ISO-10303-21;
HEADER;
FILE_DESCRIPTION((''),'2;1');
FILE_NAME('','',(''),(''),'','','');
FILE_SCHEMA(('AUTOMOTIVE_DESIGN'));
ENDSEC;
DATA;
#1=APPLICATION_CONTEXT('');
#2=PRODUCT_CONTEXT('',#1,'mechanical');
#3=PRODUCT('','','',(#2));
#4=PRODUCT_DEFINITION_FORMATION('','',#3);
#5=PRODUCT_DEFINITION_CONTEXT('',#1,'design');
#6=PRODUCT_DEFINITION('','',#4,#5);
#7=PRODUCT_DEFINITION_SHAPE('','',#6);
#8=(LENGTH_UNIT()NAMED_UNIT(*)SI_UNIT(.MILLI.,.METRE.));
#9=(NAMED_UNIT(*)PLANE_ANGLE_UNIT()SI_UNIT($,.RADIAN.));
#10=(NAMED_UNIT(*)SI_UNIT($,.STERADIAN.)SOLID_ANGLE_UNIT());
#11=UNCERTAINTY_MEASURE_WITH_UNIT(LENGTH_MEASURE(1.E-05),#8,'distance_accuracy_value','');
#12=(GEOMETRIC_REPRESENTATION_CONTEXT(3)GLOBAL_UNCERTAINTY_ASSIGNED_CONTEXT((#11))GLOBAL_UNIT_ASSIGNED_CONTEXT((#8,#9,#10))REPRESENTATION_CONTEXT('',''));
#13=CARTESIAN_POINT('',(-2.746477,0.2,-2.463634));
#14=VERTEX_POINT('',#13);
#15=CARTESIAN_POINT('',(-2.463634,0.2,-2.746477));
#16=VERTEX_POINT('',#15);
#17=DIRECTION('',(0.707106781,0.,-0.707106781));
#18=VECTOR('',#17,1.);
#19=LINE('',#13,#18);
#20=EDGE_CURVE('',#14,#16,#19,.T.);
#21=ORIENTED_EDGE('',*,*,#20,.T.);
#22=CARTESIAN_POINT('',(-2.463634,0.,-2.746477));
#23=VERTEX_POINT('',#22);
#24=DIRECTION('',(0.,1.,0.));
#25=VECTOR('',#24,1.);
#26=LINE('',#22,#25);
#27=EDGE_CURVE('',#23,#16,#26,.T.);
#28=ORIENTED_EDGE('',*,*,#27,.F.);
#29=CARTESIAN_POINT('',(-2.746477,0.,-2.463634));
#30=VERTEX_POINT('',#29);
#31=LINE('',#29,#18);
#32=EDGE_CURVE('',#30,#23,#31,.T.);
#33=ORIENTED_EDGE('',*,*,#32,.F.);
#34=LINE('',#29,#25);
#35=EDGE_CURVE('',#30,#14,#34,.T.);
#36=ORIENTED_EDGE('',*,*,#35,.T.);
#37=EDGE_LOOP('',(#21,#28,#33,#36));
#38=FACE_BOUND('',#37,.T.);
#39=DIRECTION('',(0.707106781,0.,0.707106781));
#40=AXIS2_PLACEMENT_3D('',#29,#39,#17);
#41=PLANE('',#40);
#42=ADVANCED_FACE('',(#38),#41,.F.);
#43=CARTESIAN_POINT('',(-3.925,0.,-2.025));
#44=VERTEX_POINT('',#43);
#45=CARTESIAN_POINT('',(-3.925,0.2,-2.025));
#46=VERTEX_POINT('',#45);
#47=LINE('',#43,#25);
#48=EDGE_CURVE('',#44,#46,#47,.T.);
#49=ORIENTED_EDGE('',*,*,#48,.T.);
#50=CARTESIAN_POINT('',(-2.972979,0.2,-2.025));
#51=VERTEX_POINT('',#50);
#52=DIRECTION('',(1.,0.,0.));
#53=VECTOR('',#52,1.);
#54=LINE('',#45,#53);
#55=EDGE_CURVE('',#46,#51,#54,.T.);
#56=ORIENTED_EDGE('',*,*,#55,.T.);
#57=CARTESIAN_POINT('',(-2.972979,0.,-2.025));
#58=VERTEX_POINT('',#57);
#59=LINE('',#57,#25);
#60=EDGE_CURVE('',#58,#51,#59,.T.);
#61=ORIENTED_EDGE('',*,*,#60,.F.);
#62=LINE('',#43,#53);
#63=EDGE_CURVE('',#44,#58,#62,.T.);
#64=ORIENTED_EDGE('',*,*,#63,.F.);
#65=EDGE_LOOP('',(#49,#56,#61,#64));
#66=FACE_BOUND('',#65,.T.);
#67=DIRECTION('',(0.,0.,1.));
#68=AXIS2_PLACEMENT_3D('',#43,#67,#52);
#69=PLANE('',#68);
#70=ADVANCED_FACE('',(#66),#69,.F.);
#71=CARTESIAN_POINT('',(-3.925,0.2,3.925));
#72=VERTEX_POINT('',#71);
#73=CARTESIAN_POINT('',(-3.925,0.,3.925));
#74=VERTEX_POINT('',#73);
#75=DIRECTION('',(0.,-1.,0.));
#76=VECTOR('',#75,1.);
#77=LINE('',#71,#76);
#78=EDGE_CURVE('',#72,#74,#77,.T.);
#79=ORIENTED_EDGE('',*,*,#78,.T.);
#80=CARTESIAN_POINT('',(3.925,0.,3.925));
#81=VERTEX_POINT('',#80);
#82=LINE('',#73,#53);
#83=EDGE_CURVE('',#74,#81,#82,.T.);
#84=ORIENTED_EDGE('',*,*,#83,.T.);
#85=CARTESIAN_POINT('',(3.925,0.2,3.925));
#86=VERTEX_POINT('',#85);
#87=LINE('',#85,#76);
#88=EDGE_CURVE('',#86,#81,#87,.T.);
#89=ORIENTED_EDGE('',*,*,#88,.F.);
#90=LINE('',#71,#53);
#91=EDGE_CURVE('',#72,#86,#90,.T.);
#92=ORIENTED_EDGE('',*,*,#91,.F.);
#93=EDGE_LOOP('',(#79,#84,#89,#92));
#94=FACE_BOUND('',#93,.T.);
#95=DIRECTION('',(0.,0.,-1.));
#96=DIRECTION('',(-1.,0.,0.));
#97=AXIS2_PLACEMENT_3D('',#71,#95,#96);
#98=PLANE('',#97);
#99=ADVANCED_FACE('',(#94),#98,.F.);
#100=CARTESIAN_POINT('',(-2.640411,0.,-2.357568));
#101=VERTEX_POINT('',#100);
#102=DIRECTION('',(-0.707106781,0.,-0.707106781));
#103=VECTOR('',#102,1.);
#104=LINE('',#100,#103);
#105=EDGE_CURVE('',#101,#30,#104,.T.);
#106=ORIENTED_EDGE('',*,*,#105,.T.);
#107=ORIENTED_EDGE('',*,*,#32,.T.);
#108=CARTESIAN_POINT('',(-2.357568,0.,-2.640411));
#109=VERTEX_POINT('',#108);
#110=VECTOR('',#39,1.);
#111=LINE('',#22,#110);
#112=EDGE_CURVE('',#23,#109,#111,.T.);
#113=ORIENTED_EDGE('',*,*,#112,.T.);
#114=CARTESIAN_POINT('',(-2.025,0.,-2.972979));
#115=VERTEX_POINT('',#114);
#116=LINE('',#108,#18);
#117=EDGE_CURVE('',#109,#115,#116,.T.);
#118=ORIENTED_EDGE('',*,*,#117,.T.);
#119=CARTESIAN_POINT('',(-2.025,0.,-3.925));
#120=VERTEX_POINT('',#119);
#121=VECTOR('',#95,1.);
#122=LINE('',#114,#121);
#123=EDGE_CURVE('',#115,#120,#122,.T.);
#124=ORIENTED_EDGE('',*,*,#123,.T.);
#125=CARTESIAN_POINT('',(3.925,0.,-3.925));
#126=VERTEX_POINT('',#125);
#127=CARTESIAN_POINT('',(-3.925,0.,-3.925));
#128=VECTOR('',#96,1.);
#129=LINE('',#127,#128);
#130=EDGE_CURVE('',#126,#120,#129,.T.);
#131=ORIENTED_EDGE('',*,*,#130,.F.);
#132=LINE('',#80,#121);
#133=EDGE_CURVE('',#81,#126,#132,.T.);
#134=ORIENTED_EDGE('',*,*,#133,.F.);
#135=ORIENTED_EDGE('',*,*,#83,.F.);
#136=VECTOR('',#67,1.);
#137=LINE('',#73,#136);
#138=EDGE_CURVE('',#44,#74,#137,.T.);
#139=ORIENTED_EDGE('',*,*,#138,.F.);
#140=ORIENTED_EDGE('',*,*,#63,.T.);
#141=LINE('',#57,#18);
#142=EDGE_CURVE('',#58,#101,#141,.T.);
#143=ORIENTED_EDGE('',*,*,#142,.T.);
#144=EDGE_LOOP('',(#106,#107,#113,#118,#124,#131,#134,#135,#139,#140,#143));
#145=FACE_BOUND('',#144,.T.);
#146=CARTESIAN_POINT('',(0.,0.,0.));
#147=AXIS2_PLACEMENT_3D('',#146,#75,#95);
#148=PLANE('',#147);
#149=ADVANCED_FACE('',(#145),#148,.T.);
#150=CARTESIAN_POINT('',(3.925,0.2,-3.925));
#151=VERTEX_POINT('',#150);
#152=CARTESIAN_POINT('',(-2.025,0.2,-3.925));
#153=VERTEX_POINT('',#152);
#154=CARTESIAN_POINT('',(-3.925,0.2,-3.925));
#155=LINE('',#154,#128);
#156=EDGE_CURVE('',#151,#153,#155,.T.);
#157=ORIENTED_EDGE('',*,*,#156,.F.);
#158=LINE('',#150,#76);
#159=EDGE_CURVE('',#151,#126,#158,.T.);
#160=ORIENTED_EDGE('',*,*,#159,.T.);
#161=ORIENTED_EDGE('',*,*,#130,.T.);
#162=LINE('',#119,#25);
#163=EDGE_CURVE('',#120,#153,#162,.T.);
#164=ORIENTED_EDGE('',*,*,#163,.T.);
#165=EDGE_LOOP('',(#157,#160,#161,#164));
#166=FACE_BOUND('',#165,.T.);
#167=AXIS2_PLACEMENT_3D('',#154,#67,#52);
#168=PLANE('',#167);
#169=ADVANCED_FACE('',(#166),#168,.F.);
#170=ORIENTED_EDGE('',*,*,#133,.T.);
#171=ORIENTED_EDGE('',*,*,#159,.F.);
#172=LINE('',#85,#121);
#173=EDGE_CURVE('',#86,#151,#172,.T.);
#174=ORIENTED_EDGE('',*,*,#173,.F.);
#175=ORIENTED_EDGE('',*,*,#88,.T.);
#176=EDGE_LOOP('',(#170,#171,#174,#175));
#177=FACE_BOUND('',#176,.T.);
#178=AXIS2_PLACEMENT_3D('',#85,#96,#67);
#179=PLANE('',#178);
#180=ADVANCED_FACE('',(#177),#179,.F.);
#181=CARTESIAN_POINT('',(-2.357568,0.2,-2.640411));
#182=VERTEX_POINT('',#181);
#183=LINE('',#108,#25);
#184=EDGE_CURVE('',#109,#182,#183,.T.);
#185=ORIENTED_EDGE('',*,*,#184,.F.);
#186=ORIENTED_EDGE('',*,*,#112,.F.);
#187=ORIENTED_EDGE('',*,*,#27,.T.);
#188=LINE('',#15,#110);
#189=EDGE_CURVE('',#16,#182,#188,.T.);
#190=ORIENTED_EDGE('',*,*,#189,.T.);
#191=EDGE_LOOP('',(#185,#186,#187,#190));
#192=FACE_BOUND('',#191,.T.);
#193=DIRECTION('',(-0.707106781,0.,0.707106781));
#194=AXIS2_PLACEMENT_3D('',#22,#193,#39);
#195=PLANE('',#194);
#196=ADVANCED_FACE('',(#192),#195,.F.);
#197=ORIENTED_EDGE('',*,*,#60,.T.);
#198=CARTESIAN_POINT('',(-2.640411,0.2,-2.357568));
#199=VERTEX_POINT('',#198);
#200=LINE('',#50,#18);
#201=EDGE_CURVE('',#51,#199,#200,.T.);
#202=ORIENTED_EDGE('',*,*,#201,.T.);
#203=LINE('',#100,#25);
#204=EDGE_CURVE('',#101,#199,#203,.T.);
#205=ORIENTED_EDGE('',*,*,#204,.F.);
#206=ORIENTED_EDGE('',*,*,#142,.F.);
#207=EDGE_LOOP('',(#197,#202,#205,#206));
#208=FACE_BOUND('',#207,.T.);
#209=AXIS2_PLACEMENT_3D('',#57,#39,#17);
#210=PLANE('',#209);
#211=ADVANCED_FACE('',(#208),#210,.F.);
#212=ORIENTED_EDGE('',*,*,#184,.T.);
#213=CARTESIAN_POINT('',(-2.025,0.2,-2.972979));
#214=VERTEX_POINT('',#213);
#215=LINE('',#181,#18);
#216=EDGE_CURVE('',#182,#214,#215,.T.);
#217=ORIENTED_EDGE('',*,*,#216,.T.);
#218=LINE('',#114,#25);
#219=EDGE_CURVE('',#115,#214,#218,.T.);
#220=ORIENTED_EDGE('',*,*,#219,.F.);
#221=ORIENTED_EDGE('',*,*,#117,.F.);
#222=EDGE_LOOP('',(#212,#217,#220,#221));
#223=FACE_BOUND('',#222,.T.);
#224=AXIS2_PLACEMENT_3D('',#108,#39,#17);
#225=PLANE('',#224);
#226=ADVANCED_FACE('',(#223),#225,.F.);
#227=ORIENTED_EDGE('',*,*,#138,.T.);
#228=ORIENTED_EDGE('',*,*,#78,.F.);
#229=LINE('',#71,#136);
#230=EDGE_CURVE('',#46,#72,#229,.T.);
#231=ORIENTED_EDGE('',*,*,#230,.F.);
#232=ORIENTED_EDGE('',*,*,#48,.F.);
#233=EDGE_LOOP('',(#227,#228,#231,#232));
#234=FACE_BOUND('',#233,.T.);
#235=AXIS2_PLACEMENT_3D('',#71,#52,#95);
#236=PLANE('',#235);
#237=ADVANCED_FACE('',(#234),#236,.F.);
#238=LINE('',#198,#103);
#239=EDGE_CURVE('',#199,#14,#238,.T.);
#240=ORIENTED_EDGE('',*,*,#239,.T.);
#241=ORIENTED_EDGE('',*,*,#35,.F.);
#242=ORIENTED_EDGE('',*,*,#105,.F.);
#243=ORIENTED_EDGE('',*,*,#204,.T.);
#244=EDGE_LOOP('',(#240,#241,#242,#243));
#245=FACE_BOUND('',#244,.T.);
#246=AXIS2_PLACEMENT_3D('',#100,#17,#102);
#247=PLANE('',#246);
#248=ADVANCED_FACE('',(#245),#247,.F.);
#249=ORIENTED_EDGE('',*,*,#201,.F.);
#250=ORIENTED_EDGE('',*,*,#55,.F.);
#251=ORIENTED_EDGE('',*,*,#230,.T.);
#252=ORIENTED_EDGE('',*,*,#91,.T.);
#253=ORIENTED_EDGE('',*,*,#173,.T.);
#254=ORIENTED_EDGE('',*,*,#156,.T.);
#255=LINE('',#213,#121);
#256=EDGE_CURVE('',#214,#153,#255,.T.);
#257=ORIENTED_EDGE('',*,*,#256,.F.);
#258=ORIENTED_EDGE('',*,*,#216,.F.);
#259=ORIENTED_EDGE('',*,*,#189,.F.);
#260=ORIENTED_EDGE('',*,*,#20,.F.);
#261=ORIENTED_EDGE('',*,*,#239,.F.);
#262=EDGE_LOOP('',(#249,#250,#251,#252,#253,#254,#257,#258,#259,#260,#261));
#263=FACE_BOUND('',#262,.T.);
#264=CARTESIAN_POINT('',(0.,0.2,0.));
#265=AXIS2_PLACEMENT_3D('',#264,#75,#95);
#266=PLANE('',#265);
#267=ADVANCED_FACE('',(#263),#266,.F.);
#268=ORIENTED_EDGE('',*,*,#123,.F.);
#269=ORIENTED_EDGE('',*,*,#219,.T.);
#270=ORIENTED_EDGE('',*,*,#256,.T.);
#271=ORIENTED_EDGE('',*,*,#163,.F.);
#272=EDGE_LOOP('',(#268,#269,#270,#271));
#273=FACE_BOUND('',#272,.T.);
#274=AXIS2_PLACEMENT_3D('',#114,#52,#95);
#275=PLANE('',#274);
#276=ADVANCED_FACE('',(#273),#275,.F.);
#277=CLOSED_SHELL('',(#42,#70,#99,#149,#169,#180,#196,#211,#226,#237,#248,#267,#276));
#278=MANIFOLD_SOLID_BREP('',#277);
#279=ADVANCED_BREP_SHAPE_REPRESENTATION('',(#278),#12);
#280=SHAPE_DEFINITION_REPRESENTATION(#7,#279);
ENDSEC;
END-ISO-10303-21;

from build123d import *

# Parameters (mm, degrees)
SKETCH1_W           = 7.85
SKETCH1_H           = 7.85
BOSS_EXTRUDE1_DEPTH = 0.2
CUT_EXTRUDE1_DEPTH  = 1.2


with BuildPart() as part:
    # Sketch1 → Boss-Extrude1 (new body)
    with BuildSketch(Plane(origin=(0, 0, 0), x_dir=(1, 0, 0), z_dir=(0, 1, 0))):
        Rectangle(SKETCH1_W, SKETCH1_H)
    extrude(amount=BOSS_EXTRUDE1_DEPTH)

    # Sketch3 → Cut-Extrude1 (cut, through all)
    with BuildSketch(Plane(origin=(0, 0.2, 0), x_dir=(1, 0, 0), z_dir=(0, 1, 0))):
        Polygon((-3.925, 2.025), (-2.97297934, 2.025), (-2.640411026, 2.357568314), (-2.746477043, 2.463634331), (-2.463634331, 2.746477043), (-2.357568314, 2.640411026), (-2.025, 2.97297934), (-2.025, 3.925), (-3.925, 3.925), align=None)
    extrude(amount=-CUT_EXTRUDE1_DEPTH, mode=Mode.SUBTRACT)


solid = part.part
